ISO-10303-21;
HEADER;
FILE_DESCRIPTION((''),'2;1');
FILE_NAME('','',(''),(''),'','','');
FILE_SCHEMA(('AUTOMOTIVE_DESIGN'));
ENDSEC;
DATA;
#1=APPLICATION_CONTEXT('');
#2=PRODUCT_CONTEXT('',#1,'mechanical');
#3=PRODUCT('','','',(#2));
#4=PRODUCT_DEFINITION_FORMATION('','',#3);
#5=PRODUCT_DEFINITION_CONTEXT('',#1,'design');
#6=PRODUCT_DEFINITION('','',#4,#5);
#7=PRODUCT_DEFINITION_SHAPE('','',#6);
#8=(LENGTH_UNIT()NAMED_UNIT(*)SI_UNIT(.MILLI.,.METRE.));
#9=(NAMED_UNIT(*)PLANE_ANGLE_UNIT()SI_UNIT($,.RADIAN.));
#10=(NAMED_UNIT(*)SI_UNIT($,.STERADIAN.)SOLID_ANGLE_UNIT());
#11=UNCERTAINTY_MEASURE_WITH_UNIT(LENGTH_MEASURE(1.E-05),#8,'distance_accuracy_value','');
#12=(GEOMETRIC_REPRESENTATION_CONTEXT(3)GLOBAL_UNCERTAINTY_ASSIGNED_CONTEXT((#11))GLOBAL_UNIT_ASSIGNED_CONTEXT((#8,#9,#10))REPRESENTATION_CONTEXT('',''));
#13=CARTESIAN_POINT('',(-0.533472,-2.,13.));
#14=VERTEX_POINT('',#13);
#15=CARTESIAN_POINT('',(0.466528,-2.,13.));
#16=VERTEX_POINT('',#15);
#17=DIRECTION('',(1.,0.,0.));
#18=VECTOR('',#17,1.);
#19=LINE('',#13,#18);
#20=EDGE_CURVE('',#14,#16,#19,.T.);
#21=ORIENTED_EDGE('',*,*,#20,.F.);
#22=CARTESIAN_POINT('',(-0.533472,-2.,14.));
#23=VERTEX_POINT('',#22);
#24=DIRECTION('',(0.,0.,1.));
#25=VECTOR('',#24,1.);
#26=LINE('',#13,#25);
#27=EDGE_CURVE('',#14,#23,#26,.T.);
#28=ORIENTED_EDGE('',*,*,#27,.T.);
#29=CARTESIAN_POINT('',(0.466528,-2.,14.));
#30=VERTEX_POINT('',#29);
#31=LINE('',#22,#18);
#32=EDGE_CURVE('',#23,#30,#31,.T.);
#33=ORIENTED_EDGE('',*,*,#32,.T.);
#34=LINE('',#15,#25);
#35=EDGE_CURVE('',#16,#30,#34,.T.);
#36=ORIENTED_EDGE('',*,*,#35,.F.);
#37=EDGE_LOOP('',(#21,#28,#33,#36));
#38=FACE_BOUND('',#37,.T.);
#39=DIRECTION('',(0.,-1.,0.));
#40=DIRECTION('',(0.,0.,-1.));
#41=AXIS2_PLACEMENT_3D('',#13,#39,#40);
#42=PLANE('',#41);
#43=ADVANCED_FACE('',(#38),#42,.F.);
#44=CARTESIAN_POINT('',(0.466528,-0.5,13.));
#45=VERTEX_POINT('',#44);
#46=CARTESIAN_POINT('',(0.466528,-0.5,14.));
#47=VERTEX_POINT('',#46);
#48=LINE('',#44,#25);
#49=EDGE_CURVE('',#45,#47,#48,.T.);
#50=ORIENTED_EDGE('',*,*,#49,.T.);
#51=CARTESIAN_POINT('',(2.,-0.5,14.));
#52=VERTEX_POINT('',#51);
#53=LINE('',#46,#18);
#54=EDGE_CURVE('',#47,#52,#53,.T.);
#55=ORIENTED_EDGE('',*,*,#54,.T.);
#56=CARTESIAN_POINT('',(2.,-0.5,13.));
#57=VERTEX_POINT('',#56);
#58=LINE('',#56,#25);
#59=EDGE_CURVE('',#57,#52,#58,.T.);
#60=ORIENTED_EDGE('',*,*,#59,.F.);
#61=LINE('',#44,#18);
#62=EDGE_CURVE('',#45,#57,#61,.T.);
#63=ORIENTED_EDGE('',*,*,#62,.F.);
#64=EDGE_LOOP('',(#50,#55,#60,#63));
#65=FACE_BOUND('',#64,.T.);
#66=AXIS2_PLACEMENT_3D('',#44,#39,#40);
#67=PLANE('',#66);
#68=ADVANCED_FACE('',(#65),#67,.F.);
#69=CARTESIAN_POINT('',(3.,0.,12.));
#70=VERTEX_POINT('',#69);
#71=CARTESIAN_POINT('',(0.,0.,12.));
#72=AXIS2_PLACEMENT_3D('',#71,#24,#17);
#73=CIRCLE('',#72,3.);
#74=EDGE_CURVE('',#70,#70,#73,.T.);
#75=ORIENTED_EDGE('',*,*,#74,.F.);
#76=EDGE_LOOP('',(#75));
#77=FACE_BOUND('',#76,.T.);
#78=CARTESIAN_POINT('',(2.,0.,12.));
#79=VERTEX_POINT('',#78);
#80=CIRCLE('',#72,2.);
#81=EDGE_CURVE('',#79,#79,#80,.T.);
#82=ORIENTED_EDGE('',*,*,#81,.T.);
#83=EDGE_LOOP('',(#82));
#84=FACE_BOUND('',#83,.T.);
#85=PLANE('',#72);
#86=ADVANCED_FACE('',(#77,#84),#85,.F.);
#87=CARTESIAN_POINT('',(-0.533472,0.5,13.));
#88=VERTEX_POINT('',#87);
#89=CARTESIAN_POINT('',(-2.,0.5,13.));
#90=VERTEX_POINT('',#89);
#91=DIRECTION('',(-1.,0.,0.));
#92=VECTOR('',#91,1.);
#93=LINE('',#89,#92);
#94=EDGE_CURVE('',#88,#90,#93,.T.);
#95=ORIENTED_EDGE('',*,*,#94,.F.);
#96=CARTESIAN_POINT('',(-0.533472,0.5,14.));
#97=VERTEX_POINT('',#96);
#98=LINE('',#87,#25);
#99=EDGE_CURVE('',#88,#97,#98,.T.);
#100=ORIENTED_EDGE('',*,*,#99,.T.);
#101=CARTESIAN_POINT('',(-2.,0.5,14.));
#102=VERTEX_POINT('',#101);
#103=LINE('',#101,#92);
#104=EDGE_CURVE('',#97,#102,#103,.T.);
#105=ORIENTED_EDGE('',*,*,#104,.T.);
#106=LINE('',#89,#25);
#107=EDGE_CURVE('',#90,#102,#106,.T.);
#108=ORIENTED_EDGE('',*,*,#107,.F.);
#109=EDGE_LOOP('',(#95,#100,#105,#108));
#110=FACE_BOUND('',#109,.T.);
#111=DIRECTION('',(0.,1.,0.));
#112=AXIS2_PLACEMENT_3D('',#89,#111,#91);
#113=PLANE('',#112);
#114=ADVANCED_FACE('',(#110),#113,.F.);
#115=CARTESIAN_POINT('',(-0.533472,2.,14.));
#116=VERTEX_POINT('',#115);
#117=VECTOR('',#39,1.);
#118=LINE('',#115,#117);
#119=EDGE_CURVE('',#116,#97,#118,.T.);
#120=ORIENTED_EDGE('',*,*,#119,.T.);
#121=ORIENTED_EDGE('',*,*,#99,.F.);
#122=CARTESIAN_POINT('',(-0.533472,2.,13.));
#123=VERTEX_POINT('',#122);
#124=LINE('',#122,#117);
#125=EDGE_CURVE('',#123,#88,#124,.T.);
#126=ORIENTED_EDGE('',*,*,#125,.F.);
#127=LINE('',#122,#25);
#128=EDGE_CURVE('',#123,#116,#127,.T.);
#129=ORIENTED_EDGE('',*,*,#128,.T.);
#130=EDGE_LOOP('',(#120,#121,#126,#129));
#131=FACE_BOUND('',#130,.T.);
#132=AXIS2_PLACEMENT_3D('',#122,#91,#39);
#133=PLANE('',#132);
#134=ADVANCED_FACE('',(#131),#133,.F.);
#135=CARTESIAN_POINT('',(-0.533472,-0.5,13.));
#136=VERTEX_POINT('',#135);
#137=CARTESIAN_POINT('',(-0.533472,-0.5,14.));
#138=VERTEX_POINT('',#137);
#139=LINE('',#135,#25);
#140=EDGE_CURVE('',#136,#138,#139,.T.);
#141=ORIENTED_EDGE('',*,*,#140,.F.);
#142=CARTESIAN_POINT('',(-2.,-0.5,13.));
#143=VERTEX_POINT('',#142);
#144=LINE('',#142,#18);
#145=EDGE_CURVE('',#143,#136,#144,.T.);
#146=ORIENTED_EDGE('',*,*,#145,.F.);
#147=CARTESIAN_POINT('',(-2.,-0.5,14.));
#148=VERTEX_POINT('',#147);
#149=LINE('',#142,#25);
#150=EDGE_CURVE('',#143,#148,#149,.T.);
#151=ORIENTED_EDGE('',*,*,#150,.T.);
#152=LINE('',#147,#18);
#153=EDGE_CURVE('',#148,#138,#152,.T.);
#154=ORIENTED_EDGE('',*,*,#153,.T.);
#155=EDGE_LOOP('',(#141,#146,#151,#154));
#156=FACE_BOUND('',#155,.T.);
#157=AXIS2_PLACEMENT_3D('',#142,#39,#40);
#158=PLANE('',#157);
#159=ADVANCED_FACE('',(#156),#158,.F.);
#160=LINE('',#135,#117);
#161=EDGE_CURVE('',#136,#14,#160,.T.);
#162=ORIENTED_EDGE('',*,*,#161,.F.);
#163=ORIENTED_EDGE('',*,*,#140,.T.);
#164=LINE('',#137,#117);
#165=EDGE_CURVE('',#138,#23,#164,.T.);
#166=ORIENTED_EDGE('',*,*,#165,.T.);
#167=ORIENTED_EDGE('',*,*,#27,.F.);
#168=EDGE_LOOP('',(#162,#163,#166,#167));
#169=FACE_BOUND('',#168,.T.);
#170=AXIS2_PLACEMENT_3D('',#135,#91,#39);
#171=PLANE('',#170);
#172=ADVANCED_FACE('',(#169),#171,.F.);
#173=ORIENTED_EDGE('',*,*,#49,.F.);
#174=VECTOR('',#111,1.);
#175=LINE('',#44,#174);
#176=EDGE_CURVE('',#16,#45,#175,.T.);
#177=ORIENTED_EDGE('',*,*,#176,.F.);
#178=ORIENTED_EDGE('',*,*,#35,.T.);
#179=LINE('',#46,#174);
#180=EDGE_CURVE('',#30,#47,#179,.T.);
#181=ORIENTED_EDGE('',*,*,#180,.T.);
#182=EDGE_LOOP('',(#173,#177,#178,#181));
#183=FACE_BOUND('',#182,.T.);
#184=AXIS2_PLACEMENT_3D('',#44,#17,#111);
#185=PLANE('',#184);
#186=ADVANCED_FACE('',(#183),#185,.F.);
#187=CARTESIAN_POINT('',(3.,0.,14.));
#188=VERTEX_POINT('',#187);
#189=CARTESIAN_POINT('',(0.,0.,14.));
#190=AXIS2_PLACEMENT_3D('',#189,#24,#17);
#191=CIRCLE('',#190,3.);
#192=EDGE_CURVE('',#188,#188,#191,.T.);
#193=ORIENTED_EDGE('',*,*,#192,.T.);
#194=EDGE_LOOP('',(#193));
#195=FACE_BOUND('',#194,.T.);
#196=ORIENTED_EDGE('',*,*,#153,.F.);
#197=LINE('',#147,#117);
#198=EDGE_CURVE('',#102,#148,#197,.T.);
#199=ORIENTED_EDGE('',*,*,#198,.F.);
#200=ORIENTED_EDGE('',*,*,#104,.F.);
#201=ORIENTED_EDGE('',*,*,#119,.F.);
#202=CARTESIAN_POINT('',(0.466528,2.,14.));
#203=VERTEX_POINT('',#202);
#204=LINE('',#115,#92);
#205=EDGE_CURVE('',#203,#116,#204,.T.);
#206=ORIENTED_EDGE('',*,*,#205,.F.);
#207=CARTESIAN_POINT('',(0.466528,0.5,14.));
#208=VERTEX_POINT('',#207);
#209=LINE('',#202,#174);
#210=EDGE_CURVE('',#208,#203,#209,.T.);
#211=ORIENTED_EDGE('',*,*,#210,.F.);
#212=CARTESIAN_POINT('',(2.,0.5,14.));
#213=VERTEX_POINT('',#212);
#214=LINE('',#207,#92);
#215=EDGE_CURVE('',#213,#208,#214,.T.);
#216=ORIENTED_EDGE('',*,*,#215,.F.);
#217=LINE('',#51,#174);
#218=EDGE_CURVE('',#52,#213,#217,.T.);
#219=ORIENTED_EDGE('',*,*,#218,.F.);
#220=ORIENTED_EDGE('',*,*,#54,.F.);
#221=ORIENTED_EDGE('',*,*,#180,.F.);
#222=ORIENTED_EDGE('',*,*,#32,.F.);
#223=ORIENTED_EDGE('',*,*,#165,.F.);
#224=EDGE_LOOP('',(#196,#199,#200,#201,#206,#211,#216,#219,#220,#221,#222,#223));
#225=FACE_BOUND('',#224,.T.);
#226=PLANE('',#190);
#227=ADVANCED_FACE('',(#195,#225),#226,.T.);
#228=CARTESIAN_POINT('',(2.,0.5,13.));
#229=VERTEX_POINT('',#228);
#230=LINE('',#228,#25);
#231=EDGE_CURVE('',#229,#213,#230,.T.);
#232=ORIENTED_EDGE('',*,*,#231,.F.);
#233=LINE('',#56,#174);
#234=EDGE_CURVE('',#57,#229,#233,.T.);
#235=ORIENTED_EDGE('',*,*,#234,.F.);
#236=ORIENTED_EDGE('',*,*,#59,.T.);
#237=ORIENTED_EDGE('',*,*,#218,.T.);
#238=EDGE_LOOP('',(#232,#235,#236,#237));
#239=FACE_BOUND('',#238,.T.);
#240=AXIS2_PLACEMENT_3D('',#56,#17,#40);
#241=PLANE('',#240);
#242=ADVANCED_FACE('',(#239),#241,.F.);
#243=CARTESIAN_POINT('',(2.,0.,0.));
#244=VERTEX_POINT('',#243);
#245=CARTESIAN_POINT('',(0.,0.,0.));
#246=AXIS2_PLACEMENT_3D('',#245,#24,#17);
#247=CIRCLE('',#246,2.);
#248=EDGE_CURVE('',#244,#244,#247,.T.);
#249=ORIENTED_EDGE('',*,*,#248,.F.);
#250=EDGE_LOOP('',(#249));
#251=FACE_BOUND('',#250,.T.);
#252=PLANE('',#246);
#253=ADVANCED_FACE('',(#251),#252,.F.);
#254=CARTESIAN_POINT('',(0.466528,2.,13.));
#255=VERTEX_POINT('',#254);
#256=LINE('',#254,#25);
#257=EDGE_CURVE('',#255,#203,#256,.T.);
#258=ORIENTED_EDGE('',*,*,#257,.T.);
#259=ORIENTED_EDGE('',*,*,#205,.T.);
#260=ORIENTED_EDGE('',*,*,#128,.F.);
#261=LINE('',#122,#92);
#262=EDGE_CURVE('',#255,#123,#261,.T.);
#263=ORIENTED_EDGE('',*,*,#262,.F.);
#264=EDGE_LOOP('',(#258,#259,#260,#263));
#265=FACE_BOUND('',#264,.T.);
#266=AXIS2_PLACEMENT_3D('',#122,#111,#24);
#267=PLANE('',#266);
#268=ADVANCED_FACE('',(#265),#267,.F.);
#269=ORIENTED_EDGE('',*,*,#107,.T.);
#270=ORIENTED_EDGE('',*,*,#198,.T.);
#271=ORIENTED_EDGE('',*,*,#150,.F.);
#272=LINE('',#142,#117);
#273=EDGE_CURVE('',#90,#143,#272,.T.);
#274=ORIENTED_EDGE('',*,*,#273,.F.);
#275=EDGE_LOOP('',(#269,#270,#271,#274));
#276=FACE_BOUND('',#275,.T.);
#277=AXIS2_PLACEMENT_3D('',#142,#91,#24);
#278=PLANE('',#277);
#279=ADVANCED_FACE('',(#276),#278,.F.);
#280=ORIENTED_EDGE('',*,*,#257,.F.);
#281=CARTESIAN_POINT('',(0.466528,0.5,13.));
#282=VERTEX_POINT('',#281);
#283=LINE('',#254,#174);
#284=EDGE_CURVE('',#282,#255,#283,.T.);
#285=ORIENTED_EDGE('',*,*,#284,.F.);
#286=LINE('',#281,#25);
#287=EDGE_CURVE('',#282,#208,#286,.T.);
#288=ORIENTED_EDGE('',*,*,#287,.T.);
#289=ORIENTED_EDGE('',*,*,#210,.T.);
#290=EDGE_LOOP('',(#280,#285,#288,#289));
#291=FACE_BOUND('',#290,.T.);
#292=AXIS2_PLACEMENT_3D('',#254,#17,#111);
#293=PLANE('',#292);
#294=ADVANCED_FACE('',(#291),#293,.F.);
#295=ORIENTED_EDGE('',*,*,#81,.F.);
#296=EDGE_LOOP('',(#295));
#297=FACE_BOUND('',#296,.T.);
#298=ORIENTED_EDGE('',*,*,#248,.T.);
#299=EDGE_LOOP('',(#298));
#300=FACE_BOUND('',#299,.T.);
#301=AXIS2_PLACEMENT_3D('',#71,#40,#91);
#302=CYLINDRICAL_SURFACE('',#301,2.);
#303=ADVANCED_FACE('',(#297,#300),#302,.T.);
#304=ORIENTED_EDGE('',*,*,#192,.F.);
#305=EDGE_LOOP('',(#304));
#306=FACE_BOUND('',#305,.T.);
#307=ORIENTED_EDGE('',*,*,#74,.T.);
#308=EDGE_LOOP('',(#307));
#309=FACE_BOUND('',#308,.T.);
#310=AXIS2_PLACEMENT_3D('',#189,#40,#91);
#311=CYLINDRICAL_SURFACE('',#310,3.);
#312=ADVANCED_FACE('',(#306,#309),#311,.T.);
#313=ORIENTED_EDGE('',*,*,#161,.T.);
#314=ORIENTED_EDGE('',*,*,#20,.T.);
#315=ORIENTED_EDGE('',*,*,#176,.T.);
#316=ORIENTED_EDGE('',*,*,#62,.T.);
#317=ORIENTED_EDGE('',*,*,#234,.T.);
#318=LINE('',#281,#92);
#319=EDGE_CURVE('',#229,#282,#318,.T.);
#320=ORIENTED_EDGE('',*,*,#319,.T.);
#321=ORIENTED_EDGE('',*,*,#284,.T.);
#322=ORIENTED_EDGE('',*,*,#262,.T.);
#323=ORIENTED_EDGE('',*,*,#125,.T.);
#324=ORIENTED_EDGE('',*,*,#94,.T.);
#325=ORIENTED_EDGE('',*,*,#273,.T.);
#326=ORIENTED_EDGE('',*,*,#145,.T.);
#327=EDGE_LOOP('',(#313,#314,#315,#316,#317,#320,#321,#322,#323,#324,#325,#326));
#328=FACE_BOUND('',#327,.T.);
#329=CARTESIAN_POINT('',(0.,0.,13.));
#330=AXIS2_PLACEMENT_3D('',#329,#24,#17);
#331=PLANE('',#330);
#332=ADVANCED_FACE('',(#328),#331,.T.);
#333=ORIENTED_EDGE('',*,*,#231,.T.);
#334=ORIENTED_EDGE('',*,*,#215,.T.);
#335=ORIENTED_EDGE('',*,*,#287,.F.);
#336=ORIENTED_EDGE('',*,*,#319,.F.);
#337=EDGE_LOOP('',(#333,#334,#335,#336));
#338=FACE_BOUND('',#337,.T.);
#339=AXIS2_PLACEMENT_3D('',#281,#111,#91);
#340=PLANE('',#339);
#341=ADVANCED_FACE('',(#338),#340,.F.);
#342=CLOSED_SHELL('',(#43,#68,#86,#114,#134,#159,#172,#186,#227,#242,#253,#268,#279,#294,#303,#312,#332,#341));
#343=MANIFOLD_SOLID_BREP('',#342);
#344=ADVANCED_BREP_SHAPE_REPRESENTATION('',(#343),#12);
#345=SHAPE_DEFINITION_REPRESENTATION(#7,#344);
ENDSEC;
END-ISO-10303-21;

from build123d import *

# Parameters (mm, degrees)
SZKIC1_R                    = 2
DODANIE_WYCI_GNI_CIE1_DEPTH = 12
SZKIC2_R                    = 3
DODANIE_WYCI_GNI_CIE2_DEPTH = 2
WYTNIJ_WYCI_GNI_CIE1_DEPTH  = 1


with BuildPart() as part:
    # Szkic1 → Dodanie-wyciągnięcie1 (new body)
    with BuildSketch(Plane.XY):
        Circle(SZKIC1_R)
    extrude(amount=DODANIE_WYCI_GNI_CIE1_DEPTH)

    # Szkic2 → Dodanie-wyciągnięcie2 (add)
    with BuildSketch(Plane.XY.offset(12)):
        Circle(SZKIC2_R)
    extrude(amount=DODANIE_WYCI_GNI_CIE2_DEPTH)

    # Szkic3 → Wytnij-wyciągnięcie1 (cut)
    with BuildSketch(Plane.XY.offset(14)):
        Polygon((0.466528249, 0.5), (2, 0.5), (2, -0.5), (0.466528249, -0.5), (0.466528249, -2), (-0.533471751, -2), (-0.533471751, -0.5), (-2, -0.5), (-2, 0.5), (-0.533471751, 0.5), (-0.533471751, 2), (0.466528249, 2), align=None)
    extrude(amount=-WYTNIJ_WYCI_GNI_CIE1_DEPTH, mode=Mode.SUBTRACT)


solid = part.part
